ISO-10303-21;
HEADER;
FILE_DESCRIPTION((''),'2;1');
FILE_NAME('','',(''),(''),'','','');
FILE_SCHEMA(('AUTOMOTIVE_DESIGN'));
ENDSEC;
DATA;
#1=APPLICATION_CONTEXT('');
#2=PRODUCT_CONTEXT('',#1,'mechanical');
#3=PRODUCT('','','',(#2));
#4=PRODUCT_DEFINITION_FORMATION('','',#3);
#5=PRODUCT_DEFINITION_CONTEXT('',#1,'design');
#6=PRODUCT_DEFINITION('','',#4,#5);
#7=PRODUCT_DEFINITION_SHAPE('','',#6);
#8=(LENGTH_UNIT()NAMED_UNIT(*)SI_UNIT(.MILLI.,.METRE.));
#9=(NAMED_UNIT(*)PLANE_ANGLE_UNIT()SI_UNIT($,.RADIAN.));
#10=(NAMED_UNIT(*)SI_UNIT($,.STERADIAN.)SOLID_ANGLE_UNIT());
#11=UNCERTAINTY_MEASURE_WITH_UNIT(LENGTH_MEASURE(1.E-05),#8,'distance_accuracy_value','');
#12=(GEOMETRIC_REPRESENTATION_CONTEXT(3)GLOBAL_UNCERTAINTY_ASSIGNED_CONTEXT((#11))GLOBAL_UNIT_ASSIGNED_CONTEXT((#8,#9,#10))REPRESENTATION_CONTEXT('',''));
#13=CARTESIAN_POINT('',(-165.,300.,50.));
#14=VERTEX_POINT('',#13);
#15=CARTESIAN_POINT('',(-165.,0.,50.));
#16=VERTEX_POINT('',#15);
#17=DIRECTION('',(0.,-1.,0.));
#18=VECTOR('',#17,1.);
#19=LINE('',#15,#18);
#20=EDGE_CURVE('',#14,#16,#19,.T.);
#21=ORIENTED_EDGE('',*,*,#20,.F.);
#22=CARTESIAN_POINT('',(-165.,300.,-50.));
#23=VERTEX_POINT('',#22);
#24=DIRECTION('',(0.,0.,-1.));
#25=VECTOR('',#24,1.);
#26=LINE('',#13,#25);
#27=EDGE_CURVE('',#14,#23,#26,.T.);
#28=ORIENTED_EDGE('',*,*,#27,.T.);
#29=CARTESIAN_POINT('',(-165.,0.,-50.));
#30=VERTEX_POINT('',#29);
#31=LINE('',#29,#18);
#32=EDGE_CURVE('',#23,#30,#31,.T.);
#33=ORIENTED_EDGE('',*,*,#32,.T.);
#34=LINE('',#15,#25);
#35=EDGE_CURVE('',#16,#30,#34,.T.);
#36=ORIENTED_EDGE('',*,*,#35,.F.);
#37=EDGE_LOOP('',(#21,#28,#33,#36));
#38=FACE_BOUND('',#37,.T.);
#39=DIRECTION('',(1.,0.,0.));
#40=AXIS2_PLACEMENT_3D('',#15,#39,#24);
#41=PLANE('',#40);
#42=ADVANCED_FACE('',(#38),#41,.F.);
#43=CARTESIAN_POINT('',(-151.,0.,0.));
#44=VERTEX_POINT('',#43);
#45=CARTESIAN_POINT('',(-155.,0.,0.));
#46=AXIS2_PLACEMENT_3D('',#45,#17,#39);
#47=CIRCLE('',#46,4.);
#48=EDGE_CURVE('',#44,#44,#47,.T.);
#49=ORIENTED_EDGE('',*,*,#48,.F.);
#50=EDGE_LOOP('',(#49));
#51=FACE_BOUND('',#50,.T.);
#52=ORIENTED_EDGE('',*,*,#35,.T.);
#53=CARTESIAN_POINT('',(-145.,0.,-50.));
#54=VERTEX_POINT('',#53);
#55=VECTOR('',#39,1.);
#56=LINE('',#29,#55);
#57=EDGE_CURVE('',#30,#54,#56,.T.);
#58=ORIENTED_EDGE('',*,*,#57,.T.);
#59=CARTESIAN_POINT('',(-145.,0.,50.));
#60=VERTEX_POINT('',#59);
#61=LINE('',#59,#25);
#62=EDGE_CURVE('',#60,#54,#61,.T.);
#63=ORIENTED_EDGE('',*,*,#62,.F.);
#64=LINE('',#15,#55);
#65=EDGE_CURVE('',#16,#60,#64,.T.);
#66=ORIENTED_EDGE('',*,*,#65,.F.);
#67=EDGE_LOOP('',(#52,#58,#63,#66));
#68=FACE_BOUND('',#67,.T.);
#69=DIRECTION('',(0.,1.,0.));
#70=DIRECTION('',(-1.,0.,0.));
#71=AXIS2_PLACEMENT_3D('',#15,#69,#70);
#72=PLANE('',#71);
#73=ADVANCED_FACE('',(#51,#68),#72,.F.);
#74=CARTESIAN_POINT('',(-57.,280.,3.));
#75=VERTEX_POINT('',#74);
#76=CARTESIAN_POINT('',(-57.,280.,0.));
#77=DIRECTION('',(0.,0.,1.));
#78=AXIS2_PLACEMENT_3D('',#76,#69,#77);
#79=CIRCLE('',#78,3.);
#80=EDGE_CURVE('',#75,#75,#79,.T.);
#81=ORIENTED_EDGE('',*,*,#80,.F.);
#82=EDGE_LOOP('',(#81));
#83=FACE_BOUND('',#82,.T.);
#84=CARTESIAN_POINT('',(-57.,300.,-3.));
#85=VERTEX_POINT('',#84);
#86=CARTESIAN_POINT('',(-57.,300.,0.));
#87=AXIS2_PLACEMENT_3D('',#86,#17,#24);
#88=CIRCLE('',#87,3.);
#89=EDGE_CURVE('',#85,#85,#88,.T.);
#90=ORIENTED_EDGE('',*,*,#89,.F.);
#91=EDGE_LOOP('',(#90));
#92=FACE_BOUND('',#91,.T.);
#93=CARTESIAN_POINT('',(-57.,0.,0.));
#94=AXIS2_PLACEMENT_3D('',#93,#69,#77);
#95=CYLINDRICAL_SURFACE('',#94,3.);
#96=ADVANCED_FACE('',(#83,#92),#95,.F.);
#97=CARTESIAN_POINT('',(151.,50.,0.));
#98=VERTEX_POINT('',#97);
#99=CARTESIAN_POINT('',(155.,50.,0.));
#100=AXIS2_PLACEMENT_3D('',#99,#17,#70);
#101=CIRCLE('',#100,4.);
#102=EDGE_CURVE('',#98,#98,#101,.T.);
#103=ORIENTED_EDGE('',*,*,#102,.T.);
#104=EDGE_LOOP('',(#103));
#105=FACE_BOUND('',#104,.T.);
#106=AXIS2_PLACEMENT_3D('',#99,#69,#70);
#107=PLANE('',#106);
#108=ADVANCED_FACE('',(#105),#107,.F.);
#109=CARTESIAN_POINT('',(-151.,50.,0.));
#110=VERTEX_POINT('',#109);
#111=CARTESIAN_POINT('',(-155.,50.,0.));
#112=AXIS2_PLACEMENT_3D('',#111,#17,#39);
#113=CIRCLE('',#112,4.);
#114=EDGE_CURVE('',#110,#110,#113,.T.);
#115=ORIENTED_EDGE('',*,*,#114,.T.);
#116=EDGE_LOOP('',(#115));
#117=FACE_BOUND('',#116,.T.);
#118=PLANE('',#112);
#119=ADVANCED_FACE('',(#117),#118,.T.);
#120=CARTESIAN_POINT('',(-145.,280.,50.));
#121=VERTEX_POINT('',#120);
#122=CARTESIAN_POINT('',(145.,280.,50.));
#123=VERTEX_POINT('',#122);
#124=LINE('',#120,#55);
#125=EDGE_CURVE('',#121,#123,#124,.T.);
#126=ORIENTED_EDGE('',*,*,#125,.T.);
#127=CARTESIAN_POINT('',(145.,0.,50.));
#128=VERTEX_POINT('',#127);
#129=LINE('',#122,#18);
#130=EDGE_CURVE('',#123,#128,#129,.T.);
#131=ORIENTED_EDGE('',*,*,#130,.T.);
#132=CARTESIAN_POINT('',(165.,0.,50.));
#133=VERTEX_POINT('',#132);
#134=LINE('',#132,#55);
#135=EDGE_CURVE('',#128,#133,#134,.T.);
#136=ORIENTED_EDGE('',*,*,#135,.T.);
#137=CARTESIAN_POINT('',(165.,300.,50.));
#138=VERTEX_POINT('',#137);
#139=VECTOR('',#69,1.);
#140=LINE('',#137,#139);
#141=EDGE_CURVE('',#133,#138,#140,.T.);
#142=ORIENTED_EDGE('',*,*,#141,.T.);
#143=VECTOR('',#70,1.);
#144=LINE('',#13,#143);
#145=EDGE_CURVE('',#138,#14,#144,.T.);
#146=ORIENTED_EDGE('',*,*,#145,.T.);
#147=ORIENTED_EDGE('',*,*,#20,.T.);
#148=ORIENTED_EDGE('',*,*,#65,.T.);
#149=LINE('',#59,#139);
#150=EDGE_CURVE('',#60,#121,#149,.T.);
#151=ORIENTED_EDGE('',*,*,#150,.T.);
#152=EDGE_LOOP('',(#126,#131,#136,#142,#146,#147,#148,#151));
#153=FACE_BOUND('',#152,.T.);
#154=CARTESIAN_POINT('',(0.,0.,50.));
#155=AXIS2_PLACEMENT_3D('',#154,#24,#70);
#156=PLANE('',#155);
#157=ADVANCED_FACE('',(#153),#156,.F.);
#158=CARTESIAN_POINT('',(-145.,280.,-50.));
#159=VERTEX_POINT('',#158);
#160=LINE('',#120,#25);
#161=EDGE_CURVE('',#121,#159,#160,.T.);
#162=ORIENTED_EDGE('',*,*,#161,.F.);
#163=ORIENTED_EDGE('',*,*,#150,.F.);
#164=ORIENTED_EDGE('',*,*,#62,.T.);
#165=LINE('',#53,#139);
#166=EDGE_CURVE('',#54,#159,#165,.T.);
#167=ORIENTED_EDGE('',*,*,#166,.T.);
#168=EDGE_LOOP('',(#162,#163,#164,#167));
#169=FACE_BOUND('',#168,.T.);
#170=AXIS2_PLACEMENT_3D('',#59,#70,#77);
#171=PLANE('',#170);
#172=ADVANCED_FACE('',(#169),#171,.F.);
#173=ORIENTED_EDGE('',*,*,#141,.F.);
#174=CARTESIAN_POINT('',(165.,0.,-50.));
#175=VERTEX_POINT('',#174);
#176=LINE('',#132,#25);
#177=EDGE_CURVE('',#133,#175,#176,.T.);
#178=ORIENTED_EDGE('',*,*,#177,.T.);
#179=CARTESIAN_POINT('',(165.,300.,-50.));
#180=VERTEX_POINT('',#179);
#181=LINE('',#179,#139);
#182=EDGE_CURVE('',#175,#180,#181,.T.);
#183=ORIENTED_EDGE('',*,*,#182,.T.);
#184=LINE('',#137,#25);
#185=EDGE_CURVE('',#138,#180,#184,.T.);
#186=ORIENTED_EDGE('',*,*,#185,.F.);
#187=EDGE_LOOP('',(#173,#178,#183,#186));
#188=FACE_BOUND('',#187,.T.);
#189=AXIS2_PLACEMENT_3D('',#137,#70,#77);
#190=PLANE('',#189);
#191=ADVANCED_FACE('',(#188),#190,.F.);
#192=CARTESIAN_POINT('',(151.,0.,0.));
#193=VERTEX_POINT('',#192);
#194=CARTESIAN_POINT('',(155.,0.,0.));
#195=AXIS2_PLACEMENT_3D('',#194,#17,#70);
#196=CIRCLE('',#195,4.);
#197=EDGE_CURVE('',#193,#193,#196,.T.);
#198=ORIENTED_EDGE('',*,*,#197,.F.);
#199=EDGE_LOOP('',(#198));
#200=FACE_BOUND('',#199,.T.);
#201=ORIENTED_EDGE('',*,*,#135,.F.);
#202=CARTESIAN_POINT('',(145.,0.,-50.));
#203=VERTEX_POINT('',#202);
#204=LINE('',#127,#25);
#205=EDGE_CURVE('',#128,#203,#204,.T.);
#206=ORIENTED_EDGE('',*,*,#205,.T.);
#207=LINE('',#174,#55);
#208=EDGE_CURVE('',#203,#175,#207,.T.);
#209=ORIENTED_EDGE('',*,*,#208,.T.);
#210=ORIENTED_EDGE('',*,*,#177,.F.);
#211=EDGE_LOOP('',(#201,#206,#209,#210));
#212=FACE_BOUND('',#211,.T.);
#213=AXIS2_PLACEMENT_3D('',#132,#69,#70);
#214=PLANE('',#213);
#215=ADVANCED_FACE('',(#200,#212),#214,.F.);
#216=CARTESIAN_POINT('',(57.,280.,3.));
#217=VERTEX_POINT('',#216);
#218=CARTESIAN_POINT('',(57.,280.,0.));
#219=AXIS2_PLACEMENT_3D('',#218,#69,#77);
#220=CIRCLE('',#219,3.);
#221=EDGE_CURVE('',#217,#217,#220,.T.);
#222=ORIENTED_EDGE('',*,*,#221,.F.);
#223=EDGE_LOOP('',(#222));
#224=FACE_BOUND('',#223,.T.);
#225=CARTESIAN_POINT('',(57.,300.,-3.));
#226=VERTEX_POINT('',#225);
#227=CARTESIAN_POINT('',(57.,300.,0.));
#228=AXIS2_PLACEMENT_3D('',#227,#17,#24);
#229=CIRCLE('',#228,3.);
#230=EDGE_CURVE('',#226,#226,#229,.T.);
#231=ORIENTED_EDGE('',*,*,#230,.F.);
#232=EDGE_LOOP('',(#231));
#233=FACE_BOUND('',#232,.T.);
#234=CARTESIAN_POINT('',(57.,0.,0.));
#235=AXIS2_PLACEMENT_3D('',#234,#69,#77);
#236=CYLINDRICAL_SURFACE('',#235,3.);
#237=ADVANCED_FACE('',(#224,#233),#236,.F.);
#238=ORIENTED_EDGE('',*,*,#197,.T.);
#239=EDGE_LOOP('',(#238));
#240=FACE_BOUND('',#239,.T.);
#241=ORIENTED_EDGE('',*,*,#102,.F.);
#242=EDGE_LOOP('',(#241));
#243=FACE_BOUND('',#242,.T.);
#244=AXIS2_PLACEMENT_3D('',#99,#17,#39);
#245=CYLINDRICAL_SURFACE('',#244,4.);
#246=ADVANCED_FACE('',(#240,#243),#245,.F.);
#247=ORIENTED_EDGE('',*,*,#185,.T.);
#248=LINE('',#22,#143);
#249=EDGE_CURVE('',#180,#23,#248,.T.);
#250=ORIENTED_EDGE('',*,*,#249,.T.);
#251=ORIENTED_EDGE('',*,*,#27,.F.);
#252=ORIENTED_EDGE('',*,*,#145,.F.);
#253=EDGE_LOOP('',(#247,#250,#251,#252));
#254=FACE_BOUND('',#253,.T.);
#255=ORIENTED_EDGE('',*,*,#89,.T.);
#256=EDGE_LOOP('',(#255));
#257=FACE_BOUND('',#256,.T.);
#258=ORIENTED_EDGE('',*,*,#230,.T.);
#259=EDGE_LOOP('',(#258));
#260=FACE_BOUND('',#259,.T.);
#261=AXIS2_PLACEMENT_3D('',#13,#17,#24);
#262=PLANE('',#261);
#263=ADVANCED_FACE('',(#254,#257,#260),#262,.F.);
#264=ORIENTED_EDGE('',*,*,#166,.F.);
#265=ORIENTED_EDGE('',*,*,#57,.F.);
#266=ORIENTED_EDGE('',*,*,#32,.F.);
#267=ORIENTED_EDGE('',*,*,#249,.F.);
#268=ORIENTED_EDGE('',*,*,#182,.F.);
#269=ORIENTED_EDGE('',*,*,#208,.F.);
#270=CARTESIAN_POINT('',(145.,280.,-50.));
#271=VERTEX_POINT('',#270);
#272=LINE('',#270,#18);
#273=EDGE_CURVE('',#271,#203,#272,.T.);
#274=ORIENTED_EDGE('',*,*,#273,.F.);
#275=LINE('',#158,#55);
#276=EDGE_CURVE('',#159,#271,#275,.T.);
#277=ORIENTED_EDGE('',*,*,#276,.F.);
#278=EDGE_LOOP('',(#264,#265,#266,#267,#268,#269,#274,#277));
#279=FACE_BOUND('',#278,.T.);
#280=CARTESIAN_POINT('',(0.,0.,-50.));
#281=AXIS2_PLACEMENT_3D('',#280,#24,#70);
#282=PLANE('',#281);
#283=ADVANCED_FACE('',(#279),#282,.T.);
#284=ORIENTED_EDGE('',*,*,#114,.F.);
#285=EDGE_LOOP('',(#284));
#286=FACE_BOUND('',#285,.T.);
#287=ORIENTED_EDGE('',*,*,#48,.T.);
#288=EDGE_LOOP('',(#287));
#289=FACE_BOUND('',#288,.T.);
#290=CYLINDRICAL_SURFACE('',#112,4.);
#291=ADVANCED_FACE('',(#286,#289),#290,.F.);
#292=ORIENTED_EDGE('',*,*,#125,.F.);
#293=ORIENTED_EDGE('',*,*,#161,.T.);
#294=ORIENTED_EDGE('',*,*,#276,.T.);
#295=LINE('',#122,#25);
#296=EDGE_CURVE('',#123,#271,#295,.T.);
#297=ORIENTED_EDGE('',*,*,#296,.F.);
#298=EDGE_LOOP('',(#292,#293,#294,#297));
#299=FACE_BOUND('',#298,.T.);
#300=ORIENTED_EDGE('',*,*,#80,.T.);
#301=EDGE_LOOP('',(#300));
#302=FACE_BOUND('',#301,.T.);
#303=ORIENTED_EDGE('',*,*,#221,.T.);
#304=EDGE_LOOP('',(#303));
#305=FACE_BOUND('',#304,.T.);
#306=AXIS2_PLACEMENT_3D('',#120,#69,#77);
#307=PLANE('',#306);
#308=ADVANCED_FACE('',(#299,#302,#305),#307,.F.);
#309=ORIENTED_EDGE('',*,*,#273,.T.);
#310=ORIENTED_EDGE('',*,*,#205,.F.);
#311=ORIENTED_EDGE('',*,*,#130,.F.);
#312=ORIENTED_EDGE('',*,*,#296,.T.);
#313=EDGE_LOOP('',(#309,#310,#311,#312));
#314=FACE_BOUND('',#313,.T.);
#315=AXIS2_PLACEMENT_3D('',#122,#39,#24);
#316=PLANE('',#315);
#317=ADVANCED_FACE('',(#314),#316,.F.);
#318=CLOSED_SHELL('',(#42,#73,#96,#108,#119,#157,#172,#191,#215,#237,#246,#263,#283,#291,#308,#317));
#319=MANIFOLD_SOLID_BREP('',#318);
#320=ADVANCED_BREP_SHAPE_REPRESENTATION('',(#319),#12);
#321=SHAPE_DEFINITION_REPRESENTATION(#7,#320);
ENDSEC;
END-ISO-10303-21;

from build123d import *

# Parameters (mm, degrees)
BOSS_EXTRUDE1_DEPTH     = 50
SKETCH2_R               = 4
CUT_EXTRUDE1_DEPTH      = 50
CUT_EXTRUDE2_DEPTH      = 347.013005536
CUT_EXTRUDE2_DEPTH_BACK = 347.013005536
SKETCH3_R               = 3


with BuildPart() as part:
    # Sketch1 → Boss-Extrude1 (new, symmetric)
    with BuildSketch(Plane.XY):
        Polygon((-165, 0), (-145, 0), (-145, 280), (145, 280), (145, 0), (165, 0), (165, 300), (-165, 300), align=None)
    extrude(amount=BOSS_EXTRUDE1_DEPTH, both=True)

    # Sketch2 → Cut-Extrude1 (cut)
    with BuildSketch(Plane.XZ):
        with Locations((-155, 0)):
            Circle(SKETCH2_R)
        with Locations(Location((155, 0, 0), (0, 0, 180))):
            Circle(SKETCH2_R)
    extrude(amount=-CUT_EXTRUDE1_DEPTH, mode=Mode.SUBTRACT)

    # Sketch3 → Cut-Extrude2 (cut, two sides: drawn at the far end of the back side and taken through both)
    with BuildSketch(Plane(origin=(0, 300, 0), x_dir=(1, 0, 0), z_dir=(0, 1, 0)).offset(-CUT_EXTRUDE2_DEPTH_BACK)):
        with Locations(Location((-57, 0, 0), (0, 0, 270))):
            Circle(SKETCH3_R)
        with Locations(Location((57, 0, 0), (0, 0, 270))):
            Circle(SKETCH3_R)
    extrude(amount=CUT_EXTRUDE2_DEPTH + CUT_EXTRUDE2_DEPTH_BACK, mode=Mode.SUBTRACT)


solid = part.part
